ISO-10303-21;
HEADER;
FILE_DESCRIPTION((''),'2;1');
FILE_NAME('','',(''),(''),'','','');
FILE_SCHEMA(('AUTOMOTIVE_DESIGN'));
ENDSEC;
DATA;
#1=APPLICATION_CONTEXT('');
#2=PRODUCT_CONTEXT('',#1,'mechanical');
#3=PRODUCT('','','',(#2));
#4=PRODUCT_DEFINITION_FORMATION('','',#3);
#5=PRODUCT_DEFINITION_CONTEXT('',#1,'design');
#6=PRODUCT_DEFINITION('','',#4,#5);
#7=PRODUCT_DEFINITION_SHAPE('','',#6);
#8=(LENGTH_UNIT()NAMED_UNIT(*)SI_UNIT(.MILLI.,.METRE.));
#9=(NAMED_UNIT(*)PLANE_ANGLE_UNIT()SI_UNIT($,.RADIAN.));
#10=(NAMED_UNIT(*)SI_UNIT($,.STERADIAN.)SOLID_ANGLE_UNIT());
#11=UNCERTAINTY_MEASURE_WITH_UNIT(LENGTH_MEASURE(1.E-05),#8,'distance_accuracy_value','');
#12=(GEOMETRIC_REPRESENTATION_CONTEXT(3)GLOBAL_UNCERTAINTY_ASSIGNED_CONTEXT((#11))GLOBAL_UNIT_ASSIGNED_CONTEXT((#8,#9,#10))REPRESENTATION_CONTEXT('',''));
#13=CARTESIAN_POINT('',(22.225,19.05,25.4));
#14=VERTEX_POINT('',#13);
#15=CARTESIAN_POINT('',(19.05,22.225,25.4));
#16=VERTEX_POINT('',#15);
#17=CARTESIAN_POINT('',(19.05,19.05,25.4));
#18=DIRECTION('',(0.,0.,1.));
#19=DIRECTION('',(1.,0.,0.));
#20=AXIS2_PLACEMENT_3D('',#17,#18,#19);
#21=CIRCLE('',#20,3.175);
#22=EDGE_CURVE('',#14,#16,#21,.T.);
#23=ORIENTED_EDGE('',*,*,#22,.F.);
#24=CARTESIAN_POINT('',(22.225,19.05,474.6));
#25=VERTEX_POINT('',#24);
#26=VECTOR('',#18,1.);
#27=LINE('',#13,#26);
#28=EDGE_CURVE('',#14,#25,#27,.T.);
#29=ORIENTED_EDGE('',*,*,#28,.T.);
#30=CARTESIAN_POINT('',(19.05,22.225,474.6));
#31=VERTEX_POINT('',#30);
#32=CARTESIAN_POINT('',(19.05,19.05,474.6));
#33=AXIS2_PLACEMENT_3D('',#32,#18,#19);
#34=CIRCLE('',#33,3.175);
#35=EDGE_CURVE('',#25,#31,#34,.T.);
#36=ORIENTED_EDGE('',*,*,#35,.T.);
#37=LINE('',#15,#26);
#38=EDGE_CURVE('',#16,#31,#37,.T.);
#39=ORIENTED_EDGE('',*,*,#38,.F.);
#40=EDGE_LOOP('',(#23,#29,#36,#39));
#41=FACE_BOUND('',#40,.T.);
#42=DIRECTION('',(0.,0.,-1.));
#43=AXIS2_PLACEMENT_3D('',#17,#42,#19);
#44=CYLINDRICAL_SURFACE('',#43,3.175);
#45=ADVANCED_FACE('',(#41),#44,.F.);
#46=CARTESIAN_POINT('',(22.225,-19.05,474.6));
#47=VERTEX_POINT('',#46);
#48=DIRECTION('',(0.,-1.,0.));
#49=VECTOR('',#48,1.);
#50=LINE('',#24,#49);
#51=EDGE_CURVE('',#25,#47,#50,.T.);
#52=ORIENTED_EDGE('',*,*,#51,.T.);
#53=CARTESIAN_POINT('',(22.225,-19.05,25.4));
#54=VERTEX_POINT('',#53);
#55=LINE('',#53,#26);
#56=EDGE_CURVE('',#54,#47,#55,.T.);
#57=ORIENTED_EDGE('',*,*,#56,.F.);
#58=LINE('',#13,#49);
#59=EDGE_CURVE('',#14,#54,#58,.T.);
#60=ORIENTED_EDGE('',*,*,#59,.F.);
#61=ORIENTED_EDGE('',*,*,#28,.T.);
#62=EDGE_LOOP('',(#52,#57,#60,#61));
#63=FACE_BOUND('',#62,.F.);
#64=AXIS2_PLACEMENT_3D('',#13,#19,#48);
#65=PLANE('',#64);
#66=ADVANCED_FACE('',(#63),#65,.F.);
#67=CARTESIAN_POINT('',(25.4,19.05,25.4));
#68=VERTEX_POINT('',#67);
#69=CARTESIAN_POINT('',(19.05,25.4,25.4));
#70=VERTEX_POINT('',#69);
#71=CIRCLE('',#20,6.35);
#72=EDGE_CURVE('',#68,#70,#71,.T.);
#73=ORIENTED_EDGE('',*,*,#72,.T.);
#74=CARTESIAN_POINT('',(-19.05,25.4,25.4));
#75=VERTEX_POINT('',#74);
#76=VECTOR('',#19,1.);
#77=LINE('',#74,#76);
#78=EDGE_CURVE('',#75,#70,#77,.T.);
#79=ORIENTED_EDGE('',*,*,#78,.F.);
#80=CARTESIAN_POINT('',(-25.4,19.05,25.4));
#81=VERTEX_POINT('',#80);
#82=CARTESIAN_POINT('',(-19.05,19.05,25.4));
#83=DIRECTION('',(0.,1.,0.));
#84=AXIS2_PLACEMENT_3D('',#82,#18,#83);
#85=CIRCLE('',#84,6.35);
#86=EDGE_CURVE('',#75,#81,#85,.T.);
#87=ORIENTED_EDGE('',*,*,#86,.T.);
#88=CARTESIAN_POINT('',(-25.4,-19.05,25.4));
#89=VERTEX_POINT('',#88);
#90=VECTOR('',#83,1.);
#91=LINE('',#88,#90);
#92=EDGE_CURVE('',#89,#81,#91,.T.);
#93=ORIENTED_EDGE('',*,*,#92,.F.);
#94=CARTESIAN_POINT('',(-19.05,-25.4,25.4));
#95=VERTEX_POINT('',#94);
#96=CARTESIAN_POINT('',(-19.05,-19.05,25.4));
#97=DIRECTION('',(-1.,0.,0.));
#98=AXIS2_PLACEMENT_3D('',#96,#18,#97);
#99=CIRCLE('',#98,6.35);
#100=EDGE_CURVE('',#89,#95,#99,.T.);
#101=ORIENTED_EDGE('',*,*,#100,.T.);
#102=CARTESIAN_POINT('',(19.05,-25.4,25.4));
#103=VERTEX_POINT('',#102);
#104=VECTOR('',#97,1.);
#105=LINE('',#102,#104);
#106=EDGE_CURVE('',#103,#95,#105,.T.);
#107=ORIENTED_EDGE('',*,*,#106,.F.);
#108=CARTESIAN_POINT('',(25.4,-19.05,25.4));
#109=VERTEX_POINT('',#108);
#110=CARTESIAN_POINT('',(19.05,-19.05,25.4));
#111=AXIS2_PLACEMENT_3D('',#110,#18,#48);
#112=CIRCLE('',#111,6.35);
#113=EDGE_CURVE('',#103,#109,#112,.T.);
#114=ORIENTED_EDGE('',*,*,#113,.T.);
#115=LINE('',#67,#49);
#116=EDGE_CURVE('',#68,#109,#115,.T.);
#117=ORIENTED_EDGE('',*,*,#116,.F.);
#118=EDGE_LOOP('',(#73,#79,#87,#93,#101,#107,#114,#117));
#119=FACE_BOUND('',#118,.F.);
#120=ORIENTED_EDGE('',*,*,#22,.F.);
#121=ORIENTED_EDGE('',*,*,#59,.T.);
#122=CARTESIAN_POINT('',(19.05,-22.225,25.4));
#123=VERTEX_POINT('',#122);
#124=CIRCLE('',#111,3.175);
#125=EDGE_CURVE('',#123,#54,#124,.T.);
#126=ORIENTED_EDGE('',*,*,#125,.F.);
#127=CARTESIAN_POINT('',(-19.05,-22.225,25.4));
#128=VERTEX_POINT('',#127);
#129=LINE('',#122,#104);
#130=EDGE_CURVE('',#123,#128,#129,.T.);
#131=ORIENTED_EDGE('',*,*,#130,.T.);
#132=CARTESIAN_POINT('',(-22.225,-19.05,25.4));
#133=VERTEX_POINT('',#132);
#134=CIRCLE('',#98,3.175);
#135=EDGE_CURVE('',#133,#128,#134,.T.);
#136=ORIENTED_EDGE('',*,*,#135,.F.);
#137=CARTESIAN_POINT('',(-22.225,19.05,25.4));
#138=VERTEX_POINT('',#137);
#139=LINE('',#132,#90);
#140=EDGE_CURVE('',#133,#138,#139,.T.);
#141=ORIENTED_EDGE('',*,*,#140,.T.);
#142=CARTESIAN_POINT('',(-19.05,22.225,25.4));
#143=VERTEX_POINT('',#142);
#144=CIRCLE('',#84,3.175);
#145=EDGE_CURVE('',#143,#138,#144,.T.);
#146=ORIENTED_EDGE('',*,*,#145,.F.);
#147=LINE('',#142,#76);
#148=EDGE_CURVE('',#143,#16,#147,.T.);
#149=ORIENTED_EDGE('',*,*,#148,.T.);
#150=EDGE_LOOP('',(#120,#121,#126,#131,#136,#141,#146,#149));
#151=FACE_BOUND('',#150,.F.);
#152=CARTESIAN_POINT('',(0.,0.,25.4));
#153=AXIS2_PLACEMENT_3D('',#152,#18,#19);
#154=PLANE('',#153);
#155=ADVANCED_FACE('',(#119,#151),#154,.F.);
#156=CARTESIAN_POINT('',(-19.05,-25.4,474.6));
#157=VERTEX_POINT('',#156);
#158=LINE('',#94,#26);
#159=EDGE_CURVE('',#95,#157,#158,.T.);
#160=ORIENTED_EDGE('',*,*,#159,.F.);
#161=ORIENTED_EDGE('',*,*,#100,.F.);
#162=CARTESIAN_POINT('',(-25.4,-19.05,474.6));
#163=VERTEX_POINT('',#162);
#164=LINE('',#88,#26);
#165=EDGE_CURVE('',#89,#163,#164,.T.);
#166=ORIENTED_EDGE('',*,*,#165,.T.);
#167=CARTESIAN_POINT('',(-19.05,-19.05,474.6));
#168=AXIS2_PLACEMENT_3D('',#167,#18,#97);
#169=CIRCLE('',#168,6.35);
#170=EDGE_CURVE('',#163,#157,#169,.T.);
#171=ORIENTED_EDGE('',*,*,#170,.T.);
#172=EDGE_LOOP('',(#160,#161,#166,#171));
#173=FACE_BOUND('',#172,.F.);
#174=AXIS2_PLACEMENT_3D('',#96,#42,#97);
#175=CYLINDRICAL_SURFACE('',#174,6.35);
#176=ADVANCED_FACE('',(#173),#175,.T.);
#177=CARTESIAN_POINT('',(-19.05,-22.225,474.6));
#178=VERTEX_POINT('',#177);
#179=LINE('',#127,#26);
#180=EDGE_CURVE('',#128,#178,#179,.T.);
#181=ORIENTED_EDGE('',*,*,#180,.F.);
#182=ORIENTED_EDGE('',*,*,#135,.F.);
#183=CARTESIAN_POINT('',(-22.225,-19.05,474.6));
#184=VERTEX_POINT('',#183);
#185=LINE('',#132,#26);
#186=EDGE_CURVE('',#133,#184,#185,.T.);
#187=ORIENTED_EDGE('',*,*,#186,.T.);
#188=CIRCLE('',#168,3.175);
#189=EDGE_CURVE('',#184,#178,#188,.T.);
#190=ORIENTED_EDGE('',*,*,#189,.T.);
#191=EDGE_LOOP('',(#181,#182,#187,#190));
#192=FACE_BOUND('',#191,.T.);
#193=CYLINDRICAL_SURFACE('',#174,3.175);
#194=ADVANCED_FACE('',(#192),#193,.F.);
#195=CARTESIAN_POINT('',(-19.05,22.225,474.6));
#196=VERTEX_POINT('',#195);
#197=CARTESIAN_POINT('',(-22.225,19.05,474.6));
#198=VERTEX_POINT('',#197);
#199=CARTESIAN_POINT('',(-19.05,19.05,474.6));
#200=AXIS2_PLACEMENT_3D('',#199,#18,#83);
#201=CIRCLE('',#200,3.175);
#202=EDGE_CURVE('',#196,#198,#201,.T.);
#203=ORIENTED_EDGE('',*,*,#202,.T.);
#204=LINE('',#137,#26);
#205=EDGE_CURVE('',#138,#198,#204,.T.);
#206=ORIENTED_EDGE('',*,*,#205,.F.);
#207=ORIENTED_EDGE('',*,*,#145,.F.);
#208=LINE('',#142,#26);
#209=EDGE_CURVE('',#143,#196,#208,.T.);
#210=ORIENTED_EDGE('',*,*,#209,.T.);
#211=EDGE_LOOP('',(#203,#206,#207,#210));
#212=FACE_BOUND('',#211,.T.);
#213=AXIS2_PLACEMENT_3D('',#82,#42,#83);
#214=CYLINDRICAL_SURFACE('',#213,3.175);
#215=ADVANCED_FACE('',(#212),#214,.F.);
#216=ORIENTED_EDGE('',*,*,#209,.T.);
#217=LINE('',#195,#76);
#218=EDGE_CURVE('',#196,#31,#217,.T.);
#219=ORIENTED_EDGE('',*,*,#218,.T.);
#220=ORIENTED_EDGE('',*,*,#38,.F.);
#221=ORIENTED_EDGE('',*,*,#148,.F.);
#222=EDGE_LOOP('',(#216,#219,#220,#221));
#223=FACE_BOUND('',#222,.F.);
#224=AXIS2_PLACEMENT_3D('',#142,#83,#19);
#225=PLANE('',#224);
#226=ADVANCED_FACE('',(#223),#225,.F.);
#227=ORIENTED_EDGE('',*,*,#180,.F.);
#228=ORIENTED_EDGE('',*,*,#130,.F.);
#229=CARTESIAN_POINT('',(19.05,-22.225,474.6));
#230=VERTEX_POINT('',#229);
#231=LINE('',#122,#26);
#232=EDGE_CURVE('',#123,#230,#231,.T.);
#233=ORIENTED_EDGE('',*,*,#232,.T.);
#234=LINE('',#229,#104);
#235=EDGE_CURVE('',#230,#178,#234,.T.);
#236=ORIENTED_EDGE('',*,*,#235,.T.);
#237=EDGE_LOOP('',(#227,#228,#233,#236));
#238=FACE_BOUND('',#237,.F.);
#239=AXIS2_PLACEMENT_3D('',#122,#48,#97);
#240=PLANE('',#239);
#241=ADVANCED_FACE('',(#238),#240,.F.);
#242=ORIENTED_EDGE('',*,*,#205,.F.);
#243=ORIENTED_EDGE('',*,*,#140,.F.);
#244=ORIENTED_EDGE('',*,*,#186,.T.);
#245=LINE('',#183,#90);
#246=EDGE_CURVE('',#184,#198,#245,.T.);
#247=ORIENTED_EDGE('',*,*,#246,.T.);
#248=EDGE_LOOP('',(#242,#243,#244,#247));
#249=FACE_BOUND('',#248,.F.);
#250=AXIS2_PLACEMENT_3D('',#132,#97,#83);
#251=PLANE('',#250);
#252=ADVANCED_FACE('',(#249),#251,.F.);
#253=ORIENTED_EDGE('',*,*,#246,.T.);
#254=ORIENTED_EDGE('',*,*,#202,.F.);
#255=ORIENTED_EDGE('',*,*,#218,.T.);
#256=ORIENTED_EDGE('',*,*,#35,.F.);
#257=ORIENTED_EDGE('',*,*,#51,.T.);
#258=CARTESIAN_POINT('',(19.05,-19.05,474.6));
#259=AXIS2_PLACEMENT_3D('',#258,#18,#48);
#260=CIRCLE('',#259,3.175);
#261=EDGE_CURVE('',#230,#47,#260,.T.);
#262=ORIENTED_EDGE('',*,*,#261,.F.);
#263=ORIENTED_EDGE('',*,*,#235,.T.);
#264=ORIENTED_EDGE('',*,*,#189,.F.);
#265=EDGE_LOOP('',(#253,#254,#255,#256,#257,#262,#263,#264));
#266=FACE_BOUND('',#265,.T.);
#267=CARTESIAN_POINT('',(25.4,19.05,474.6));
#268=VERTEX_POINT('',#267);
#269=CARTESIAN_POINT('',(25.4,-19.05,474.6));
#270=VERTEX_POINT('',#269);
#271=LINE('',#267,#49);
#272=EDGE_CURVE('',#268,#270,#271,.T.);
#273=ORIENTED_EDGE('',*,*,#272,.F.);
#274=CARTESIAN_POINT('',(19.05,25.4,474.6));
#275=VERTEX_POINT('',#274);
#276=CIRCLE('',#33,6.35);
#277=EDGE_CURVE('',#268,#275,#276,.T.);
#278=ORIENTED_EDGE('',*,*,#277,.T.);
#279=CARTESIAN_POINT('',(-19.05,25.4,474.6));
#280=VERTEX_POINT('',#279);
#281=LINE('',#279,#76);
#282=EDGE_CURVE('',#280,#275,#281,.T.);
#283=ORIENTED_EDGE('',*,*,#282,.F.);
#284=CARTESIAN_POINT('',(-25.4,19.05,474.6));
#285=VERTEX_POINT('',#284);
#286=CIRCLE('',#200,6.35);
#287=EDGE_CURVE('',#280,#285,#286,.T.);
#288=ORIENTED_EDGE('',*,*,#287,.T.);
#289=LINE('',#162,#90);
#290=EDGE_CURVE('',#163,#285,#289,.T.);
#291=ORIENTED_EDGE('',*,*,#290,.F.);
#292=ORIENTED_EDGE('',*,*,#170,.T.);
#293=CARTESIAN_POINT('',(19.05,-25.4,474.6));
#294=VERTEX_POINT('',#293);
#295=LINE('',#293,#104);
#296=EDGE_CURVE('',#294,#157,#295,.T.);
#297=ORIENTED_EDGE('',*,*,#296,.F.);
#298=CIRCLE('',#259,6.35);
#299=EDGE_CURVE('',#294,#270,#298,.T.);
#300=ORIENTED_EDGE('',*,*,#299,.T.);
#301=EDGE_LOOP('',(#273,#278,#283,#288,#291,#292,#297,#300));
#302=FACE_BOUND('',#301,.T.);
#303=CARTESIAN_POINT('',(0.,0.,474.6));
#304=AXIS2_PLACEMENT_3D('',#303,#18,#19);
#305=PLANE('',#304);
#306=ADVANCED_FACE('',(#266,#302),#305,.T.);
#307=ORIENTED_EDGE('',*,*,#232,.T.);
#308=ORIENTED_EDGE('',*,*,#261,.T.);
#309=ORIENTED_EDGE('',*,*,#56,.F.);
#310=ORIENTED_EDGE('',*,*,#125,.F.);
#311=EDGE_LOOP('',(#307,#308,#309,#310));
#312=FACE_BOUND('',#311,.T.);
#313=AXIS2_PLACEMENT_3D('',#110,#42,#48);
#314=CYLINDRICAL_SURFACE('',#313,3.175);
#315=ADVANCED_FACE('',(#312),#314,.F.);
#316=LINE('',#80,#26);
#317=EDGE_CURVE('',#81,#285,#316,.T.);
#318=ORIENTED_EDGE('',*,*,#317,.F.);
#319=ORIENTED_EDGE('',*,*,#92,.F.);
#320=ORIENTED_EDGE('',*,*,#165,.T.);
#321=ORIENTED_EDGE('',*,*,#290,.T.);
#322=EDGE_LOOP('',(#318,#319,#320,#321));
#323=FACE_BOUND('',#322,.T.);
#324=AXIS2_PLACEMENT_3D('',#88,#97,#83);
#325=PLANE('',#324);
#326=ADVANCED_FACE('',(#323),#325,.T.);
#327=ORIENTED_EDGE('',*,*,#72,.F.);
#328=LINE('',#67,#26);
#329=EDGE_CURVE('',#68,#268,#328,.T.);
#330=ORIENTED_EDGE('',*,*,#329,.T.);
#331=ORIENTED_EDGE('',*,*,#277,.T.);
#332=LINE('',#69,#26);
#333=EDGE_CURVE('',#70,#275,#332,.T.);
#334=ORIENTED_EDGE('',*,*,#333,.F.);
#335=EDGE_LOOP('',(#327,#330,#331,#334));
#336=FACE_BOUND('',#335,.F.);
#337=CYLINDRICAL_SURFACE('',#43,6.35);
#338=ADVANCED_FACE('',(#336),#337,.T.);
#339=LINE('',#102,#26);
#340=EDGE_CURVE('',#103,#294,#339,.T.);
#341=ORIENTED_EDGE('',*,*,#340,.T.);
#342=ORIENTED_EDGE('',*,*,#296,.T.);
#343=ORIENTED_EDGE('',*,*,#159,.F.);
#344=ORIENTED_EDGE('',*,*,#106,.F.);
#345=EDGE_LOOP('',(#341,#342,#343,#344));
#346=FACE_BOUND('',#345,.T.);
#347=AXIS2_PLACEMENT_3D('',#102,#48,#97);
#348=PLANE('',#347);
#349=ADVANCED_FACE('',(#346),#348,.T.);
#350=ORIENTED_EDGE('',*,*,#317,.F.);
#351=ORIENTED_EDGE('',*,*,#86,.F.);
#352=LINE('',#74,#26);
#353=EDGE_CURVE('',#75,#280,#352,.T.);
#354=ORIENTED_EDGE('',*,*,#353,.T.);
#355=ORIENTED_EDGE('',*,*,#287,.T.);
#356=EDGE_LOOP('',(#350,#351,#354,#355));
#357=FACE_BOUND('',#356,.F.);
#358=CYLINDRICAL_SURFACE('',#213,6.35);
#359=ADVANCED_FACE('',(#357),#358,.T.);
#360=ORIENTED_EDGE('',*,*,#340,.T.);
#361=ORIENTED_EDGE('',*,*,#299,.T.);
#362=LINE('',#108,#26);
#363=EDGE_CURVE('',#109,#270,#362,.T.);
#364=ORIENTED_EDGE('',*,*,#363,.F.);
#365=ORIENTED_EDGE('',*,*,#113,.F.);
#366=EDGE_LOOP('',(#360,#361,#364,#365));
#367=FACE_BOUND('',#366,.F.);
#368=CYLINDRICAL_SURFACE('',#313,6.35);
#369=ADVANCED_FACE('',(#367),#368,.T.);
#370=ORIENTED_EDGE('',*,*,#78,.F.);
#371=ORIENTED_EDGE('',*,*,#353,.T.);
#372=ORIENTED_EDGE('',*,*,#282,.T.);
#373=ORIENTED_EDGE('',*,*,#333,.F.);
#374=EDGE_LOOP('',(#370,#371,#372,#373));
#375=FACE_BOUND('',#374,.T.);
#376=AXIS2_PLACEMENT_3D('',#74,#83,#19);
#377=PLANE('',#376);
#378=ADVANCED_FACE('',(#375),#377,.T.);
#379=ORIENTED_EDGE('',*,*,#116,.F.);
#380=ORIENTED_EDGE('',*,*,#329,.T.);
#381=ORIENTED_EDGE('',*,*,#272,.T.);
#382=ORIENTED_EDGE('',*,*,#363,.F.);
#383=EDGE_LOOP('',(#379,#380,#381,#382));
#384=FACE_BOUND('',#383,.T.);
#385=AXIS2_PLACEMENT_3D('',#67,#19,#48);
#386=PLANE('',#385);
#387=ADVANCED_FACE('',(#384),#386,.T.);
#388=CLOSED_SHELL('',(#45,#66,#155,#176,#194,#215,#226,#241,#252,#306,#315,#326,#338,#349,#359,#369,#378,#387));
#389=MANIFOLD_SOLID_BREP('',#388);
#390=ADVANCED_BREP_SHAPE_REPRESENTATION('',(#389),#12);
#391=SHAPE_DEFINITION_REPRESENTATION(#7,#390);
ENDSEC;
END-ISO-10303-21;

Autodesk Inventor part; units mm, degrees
ref_plane "Plano inicial" through (0, 0, 25.4) normal (0, 0, 1) x (1, 0, 0)
ref_plane "Plano final" through (0, 0, 474.6) normal (0, 0, 1) x (1, 0, 0)
sketch "Boceto" plane through (0, 0, 0) normal (0, 0, 1) x (1, 0, 0)
  line L0 (-25.4, -19.05) -> (-25.4, 19.05)
  line L1 (-19.05, 25.4) -> (19.05, 25.4)
  line L2 (25.4, 19.05) -> (25.4, -19.05)
  line L3 (19.05, -25.4) -> (-19.05, -25.4)
  arc A0 (-25.4, -19.05) -> (-19.05, -25.4) centre (-19.05, -19.05) ccw
  arc A1 (-19.05, 25.4) -> (-25.4, 19.05) centre (-19.05, 19.05) ccw
  arc A2 (25.4, 19.05) -> (19.05, 25.4) centre (19.05, 19.05) ccw
  arc A3 (19.05, -25.4) -> (25.4, -19.05) centre (19.05, -19.05) ccw
  arc A4 (-19.05, 22.225) -> (-22.225, 19.05) centre (-19.05, 19.05) ccw
  line L4 (-19.05, 22.225) -> (19.05, 22.225)
  arc A5 (22.225, 19.05) -> (19.05, 22.225) centre (19.05, 19.05) ccw
  line L5 (22.225, 19.05) -> (22.225, -19.05)
  arc A6 (19.05, -22.225) -> (22.225, -19.05) centre (19.05, -19.05) ccw
  line L6 (19.05, -22.225) -> (-19.05, -22.225)
  arc A7 (-22.225, -19.05) -> (-19.05, -22.225) centre (-19.05, -19.05) ccw
  line L7 (-22.225, -19.05) -> (-22.225, 19.05)
  line L8 (0, 37.4012) -> (0, -37.4012) construction
  line L9 (-37.4012, 0) -> (37.4012, 0) construction
  dimension "d10" = 50.8
  dimension "d11" = 50.8
  dimension "d12" = 3.175
  dimension "d15" = 25.4
  dimension "d16" = 25.4
  dimension "d17" = 6.35
extrude "Cuerpo" add sketch "Boceto" along normal up to surface (449.2 mm away) from surface at 25.4
sketch "Sketch3" plane through (0, 0, 0) normal (0, 0, 1) x (1, 0, 0)
  line L0 (0, 0) -> (10, 0)
ref_plane "Work Plane3" through (0, 0, 0) normal (0, -1, 0) x (1, 0, 0)
ref_plane "Plano de trabajo4" through (19.05, 500, 474.6) normal (0, 0, 1) x (1, 0, 0)
split "Dividir1" plane through (19.05, 500, 474.6) removes the side toward (0, 0, 1)
ref_plane "Plano de trabajo5" through (19.05, -1590, 25.4) normal (0, 0, -1) x (-1, 0, 0)
split "Dividir2" plane through (19.05, -1590, 25.4) removes the side toward (0, 0, -1)
sketch "Sketch4" plane through (0, 0, 0) normal (0, -1, 0) x (1, 0, 0)
  line L0 (-2, 25.4) -> (12, 25.4) projected
  line L1 (-2, 474.6) -> (12, 474.6) projected
  dimension "d19" = 449.2
equation "\"d10\" = G_H"
equation "\"d11\" = G_W"
equation "\"d12\" = G_T"
equation "\"d15\" = 0.5 * d10"
equation "\"d16\" = 0.5 * d11"
equation "\"d17\" = G_IR"
equation "\"d3\" = G_L"
equation "\"G_W\" = 50.8"
equation "\"G_H\" = 50.8"
equation "\"G_T\" = 3.175"
equation "\"G_IR\" = 6.35"
equation "\"G_L\" = d19"
equation "\"G_OFFSET_START\" = -25.4"
equation "\"G_OFFSET_END\" = -25.4"
equation "\"d13\" = -G_OFFSET_START"
equation "\"d14\" = G_OFFSET_END + B_L"
equation "\"B_L\" = 500"
properties part number "AISC - 2 x 2 x 1/8 - 17,685" material "Acero, suave"
